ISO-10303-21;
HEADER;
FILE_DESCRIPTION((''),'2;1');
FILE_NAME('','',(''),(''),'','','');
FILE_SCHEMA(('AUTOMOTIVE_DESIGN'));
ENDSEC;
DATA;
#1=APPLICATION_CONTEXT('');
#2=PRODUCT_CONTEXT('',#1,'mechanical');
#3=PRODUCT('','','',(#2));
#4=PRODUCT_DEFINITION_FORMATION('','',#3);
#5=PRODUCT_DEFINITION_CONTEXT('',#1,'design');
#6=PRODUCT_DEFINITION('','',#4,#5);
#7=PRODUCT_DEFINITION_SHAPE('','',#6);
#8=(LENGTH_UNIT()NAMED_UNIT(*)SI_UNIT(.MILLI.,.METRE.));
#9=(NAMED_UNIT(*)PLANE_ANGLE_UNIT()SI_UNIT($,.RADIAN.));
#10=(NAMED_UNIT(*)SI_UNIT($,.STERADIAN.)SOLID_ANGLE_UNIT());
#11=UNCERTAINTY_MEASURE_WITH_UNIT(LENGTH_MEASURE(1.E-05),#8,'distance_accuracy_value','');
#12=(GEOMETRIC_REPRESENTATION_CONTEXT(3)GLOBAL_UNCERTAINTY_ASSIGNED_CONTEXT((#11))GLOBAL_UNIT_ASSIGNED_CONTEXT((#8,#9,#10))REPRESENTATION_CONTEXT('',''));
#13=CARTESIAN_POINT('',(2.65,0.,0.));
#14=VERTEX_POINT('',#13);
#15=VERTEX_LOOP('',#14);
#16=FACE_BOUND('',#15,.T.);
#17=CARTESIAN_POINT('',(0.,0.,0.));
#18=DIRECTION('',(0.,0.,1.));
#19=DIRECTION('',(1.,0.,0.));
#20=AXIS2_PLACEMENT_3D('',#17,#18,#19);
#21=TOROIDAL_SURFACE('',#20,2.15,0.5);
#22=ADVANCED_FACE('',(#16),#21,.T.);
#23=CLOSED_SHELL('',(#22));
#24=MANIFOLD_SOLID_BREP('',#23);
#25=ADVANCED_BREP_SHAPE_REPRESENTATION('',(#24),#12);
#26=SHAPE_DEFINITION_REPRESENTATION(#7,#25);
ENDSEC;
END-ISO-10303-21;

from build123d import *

# Parameters (mm, degrees)
O_RING_SKETCH_R = 0.5


with BuildPart() as part:
    # O-Ring Sketch → O-Ring Revolve (revolve)
    with BuildSketch(Plane(origin=(0, 0, 0), x_dir=(1, 0, 0), z_dir=(0, 1, 0))):
        with Locations((2.15, 0)):
            Circle(O_RING_SKETCH_R)
    revolve(axis=Axis((0, 0, 0), (0, 0, -1)))


solid = part.part
